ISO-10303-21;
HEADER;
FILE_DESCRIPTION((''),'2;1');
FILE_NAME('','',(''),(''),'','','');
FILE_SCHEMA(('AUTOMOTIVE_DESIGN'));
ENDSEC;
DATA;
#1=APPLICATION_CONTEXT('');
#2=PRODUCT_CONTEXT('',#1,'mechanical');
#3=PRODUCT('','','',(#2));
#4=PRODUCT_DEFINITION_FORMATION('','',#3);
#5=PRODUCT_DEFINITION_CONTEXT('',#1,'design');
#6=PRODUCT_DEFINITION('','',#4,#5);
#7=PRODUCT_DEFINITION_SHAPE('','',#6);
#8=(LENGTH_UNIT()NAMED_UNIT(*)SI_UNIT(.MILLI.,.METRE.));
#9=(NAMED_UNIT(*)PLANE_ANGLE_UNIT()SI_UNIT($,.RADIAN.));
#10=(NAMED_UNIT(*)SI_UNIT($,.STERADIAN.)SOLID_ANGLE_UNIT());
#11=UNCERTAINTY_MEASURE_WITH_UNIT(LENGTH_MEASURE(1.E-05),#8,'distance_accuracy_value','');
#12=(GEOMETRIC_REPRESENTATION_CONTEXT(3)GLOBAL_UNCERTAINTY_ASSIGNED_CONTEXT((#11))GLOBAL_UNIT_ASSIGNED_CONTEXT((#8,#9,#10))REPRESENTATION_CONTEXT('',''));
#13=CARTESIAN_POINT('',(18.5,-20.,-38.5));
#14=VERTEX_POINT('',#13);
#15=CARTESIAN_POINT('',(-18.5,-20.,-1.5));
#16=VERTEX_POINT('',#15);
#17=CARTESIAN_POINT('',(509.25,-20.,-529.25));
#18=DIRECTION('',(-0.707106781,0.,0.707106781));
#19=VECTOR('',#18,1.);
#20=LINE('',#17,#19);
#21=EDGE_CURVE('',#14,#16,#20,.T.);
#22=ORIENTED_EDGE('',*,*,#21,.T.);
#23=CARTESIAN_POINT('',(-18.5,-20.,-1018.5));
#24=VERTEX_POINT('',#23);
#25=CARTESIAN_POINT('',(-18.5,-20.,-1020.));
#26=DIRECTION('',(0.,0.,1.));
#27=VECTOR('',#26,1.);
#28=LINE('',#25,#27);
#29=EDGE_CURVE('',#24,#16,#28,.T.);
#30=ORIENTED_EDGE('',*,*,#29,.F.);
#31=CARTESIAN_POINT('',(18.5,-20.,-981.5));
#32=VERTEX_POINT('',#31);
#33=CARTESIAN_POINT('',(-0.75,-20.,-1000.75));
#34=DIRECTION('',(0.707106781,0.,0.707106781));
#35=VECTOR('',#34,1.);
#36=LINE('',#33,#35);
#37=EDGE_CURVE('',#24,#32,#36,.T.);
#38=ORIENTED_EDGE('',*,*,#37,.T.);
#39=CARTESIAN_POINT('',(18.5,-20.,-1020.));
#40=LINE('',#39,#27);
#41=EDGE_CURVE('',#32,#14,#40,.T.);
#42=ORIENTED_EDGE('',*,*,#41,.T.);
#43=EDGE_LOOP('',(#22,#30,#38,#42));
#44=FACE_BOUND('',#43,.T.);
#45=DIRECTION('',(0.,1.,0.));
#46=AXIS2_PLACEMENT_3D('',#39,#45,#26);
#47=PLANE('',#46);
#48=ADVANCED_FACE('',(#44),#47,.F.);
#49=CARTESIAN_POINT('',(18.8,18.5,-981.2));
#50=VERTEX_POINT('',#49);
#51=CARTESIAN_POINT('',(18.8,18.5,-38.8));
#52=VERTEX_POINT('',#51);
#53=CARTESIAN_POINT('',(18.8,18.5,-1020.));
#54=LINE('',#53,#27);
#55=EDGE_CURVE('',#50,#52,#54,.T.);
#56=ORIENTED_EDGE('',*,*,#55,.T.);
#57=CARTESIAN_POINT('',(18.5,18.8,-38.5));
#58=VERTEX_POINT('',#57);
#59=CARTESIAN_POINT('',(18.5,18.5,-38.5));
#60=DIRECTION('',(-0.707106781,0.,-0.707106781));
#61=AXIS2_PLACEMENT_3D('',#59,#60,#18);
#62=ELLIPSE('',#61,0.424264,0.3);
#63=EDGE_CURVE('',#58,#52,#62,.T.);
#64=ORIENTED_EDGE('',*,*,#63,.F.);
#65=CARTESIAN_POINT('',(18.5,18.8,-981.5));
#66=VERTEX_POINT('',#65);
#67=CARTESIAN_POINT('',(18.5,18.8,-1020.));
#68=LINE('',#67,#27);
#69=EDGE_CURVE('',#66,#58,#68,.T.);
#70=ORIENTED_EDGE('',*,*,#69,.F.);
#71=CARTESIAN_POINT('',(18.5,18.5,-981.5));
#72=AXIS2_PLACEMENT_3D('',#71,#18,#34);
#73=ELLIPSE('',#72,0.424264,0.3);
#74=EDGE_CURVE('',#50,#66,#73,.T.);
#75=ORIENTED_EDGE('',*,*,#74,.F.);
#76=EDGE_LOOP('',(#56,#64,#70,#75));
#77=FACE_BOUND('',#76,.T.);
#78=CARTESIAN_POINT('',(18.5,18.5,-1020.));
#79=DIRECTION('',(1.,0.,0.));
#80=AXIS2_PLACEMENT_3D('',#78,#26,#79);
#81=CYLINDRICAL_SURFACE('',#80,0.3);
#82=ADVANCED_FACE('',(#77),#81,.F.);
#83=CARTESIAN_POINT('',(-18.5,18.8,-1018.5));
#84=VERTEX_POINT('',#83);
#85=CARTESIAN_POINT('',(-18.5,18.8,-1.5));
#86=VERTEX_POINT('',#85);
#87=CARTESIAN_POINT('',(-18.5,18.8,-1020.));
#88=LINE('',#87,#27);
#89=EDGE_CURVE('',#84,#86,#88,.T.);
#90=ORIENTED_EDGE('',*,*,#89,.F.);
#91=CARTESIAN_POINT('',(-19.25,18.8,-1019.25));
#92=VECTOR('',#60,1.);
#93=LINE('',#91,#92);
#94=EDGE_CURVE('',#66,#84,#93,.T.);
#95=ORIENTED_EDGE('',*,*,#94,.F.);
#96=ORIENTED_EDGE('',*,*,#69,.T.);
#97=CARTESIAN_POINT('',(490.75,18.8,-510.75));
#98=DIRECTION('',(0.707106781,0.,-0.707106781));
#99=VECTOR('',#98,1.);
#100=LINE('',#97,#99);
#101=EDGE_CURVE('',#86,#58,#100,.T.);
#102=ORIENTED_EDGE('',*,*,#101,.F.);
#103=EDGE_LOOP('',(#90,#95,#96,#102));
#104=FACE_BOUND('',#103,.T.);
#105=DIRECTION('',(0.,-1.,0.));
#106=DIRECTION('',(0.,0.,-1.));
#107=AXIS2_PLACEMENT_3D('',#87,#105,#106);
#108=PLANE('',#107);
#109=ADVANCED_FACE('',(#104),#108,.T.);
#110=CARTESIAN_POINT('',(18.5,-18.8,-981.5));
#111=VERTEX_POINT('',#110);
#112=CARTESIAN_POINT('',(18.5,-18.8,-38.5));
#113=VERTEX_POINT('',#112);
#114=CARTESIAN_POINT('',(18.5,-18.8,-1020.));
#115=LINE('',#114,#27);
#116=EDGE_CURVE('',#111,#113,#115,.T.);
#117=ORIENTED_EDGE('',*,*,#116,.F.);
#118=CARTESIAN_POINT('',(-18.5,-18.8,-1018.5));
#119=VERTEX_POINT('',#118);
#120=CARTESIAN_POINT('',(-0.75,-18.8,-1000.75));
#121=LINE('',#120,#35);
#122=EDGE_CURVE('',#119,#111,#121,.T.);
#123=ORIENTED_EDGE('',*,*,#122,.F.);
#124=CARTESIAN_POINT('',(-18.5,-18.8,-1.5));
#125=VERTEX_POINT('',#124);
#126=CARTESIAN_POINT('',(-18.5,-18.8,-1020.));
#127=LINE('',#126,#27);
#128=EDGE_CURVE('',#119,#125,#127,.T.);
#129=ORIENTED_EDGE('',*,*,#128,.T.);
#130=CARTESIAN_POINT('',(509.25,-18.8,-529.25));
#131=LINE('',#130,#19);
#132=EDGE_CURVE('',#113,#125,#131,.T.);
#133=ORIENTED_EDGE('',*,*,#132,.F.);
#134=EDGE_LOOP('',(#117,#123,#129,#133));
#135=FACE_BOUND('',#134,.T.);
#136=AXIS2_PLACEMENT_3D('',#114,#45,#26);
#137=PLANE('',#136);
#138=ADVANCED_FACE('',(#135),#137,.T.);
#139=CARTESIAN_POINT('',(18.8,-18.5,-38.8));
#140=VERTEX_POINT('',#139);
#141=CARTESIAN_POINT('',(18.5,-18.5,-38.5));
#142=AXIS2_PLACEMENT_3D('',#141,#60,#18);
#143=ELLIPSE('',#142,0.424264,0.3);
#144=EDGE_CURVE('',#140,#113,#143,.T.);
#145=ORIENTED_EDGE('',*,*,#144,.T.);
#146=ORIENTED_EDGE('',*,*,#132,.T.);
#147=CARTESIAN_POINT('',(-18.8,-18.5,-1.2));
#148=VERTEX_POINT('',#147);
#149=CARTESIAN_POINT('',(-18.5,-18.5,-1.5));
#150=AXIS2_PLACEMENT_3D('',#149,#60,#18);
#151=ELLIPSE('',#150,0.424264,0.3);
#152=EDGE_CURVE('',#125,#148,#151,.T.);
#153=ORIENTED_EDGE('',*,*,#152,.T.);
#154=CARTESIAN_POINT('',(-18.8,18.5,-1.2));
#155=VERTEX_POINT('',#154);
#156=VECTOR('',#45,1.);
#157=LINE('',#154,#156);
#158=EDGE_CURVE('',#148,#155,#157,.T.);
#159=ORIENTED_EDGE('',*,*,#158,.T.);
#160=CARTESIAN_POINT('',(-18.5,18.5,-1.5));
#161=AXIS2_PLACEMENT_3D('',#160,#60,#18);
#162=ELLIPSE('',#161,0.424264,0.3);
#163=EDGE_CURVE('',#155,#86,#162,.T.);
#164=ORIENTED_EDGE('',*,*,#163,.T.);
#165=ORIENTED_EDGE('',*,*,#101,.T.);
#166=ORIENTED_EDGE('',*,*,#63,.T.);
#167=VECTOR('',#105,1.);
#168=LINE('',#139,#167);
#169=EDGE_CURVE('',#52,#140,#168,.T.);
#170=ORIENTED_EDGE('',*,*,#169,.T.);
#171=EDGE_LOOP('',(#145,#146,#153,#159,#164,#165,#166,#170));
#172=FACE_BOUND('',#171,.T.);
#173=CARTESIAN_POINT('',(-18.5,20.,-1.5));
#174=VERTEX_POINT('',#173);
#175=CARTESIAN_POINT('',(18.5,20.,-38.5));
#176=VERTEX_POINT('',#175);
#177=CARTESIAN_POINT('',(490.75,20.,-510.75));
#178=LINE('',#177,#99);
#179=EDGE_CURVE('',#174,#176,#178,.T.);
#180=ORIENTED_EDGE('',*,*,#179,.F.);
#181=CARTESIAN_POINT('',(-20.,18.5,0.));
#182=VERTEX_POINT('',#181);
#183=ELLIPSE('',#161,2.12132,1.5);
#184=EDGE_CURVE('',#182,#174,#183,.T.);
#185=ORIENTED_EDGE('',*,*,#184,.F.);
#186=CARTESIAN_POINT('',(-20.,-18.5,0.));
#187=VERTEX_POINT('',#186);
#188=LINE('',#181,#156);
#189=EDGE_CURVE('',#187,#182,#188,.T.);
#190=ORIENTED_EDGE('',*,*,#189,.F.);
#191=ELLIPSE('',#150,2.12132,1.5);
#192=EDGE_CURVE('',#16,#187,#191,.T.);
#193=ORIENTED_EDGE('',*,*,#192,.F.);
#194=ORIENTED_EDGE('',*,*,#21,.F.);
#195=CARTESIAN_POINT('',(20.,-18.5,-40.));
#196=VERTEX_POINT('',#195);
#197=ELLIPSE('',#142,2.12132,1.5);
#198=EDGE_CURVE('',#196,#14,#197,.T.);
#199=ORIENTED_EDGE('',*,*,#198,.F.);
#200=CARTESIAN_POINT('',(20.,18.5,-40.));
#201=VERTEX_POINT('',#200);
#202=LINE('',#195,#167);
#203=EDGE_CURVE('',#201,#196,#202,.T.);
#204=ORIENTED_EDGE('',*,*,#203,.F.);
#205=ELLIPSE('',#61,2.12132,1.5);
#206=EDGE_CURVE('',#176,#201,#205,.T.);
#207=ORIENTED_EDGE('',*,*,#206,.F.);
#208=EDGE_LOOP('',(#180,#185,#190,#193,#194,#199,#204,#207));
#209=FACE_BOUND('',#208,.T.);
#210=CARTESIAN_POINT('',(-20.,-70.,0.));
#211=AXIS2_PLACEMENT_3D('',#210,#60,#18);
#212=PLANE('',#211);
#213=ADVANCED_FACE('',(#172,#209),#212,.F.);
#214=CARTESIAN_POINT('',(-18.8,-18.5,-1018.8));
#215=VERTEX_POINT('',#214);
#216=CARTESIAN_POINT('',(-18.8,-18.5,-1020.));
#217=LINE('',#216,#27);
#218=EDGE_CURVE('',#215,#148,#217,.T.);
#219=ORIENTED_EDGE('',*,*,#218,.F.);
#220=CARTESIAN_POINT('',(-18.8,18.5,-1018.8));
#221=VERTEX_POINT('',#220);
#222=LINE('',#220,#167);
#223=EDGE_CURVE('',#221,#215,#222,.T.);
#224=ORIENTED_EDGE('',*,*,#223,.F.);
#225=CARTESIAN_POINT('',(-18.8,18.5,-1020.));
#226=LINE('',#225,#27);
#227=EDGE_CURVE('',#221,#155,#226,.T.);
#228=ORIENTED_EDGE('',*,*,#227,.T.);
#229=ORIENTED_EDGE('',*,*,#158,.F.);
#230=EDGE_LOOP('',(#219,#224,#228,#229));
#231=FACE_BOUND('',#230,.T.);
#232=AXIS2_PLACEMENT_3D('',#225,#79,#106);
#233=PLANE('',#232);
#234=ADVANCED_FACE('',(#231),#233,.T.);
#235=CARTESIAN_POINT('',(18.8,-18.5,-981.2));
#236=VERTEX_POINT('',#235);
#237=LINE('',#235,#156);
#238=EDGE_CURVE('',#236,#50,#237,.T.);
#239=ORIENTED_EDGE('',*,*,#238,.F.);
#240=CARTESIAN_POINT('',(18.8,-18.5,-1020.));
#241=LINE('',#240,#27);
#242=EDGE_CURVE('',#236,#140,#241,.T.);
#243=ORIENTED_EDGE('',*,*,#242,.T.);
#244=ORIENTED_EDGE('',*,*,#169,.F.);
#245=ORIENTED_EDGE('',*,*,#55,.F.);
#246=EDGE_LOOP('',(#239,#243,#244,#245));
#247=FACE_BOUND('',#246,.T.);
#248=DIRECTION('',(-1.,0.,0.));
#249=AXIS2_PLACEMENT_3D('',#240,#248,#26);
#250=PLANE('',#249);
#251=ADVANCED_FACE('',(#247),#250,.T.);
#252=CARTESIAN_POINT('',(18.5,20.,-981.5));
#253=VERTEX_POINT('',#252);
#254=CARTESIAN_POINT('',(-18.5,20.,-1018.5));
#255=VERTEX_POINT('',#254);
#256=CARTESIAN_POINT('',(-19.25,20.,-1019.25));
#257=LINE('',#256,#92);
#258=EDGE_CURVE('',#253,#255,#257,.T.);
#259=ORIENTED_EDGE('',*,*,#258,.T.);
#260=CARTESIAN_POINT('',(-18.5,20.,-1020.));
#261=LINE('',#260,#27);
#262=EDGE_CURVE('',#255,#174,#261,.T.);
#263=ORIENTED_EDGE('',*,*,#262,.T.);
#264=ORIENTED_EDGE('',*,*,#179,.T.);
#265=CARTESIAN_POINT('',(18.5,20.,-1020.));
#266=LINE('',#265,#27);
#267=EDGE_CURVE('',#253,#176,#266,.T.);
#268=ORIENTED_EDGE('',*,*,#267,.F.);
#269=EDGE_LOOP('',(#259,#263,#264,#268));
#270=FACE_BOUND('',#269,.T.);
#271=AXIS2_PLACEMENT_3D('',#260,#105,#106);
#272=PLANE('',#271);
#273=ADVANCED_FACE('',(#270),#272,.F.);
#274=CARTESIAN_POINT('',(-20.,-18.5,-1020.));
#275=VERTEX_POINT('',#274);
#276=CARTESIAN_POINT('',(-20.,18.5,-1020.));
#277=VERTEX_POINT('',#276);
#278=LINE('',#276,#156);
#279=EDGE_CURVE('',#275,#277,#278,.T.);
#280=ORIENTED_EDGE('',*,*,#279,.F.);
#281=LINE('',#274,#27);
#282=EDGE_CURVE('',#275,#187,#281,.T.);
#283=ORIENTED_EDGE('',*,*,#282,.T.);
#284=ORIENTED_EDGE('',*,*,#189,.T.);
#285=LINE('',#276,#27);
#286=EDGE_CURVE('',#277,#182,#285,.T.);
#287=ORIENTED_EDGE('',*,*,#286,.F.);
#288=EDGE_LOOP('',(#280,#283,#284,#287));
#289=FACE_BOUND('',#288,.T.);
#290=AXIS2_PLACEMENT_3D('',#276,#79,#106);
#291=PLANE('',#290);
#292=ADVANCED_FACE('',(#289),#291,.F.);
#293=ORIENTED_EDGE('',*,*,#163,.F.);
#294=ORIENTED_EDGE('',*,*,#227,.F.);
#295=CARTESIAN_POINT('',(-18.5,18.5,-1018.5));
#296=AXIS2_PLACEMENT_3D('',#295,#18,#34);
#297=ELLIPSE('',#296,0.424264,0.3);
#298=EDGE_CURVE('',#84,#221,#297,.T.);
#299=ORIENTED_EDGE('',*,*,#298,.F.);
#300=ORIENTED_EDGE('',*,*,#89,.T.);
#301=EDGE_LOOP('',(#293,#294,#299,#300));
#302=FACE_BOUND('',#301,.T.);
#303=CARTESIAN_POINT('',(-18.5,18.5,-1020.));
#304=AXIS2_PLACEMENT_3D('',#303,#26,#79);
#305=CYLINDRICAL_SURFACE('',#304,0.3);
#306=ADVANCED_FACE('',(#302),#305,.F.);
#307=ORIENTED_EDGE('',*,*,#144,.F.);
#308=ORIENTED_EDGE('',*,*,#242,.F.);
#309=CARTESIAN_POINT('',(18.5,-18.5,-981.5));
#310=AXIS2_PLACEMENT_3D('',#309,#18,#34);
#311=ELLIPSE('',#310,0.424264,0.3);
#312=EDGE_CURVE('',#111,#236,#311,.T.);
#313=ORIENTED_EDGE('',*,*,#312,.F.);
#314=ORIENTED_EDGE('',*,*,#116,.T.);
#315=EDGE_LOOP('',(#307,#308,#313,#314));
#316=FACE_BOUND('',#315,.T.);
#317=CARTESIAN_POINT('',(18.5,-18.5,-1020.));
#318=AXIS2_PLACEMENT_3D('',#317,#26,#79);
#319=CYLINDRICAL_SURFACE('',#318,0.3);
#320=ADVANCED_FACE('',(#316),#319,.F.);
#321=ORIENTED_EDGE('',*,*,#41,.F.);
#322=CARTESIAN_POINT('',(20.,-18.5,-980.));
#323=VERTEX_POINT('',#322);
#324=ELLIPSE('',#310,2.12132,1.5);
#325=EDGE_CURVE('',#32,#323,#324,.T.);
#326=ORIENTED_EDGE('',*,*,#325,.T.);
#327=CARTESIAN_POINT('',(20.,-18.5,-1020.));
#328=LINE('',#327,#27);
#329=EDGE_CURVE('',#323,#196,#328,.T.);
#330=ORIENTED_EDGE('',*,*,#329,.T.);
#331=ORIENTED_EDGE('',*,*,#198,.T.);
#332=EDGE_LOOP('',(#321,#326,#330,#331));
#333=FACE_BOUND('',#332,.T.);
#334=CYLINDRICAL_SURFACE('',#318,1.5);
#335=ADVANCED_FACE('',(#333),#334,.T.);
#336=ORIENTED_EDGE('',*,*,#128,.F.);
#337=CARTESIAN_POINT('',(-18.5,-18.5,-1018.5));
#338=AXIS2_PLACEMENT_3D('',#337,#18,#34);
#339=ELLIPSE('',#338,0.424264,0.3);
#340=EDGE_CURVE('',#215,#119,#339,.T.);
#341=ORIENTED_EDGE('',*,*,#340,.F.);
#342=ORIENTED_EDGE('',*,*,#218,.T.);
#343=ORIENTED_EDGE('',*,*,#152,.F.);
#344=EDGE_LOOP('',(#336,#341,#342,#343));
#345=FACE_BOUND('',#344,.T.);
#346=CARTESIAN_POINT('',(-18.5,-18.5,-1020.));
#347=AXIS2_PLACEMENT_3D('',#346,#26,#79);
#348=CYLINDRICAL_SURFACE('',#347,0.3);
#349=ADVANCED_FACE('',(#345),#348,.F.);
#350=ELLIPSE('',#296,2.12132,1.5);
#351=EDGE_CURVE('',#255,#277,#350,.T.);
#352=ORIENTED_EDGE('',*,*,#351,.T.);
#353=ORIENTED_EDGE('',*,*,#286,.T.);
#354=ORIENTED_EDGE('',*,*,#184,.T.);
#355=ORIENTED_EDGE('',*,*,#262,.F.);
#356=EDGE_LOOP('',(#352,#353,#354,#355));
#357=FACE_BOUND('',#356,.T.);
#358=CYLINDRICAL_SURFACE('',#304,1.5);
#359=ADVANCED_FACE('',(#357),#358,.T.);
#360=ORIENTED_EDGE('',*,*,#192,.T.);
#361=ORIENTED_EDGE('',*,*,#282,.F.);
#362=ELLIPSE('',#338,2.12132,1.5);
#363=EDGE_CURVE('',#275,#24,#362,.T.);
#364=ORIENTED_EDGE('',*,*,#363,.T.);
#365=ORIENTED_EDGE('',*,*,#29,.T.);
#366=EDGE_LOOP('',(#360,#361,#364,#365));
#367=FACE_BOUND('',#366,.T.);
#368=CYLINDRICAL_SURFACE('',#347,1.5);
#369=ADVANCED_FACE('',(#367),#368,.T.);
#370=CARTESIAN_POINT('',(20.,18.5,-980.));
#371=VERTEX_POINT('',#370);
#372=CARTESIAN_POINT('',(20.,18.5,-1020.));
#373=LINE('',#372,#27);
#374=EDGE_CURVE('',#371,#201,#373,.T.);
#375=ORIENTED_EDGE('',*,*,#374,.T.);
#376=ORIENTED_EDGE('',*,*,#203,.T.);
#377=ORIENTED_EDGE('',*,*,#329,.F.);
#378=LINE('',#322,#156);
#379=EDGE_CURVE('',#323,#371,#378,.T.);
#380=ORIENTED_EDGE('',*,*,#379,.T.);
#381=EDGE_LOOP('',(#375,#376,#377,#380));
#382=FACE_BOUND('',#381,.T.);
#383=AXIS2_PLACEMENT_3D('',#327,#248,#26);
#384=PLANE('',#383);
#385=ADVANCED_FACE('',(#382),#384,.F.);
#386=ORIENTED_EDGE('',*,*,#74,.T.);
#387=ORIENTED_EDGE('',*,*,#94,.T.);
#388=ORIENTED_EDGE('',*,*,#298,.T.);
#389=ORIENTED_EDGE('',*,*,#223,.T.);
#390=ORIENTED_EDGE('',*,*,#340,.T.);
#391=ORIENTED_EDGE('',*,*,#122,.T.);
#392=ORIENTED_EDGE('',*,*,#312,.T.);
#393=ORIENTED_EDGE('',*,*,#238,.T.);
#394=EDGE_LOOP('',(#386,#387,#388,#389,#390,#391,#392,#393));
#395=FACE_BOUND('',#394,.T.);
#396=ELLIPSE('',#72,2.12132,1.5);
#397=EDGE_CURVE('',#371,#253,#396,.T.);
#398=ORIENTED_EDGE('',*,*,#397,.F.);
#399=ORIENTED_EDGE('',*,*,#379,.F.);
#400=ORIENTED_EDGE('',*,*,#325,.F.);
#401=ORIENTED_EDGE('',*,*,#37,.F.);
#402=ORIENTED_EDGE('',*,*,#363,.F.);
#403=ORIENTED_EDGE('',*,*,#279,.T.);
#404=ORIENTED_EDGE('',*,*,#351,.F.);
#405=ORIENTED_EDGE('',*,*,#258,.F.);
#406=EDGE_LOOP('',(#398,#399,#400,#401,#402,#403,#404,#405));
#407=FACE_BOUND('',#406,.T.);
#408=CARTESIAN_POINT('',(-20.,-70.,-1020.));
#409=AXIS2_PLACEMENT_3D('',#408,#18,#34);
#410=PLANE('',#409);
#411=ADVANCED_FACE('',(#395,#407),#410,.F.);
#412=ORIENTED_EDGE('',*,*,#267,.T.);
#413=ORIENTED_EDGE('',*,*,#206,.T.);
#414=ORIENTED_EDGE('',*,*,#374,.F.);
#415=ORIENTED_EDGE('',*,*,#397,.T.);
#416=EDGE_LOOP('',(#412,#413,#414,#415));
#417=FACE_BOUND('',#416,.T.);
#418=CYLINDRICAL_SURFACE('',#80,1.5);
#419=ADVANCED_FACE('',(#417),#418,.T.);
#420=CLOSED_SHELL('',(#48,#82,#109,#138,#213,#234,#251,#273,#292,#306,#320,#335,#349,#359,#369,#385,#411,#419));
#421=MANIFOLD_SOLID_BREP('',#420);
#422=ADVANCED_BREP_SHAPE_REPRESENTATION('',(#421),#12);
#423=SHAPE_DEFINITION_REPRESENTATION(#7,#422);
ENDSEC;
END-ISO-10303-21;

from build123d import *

# Parameters (mm, degrees)
STRUCTURAL_MEMBER1_DEPTH = 1020
CUT_EXTRUDE4_DEPTH       = 120


with BuildPart() as part:
    # Sketch12 → Structural Member1 (new body)
    with BuildSketch(Plane(origin=(0, 0, 0), x_dir=(-1, 0, 0), z_dir=(0, 0, -1))):
        with BuildLine():
            Line((-18.5, -20), (18.5, -20))
            ThreePointArc((18.5, -20), (19.560660172, -19.560660172), (20, -18.5))
            Line((20, -18.5), (20, 18.5))
            ThreePointArc((20, 18.5), (19.560660172, 19.560660172), (18.5, 20))
            Line((18.5, 20), (-18.5, 20))
            ThreePointArc((-18.5, 20), (-19.560660172, 19.560660172), (-20, 18.5))
            Line((-20, 18.5), (-20, -18.5))
            ThreePointArc((-20, -18.5), (-19.560660172, -19.560660172), (-18.5, -20))
        make_face()
        with BuildLine():
            Line((-18.5, -18.8), (18.5, -18.8))
            ThreePointArc((18.5, -18.8), (18.712132034, -18.712132034), (18.8, -18.5))
            Line((18.8, -18.5), (18.8, 18.5))
            ThreePointArc((18.8, 18.5), (18.712132034, 18.712132034), (18.5, 18.8))
            Line((18.5, 18.8), (-18.5, 18.8))
            ThreePointArc((-18.5, 18.8), (-18.712132034, 18.712132034), (-18.8, 18.5))
            Line((-18.8, 18.5), (-18.8, -18.5))
            ThreePointArc((-18.8, -18.5), (-18.712132034, -18.712132034), (-18.5, -18.8))
        make_face(mode=Mode.SUBTRACT)
    extrude(amount=STRUCTURAL_MEMBER1_DEPTH)

    # Sketch18 → Cut-Extrude4 (cut)
    with BuildSketch(Plane(origin=(0, 50, 0), x_dir=(1, 0, 0), z_dir=(0, 1, 0))):
        Polygon((-20, 1020), (31.2450691, 968.7549309), (31.2450691, 1020), align=None)
        Polygon((-20, 0), (27.845949313, 47.845949313), (27.845949313, 0), align=None)
    extrude(amount=-CUT_EXTRUDE4_DEPTH, mode=Mode.SUBTRACT)


solid = part.part
